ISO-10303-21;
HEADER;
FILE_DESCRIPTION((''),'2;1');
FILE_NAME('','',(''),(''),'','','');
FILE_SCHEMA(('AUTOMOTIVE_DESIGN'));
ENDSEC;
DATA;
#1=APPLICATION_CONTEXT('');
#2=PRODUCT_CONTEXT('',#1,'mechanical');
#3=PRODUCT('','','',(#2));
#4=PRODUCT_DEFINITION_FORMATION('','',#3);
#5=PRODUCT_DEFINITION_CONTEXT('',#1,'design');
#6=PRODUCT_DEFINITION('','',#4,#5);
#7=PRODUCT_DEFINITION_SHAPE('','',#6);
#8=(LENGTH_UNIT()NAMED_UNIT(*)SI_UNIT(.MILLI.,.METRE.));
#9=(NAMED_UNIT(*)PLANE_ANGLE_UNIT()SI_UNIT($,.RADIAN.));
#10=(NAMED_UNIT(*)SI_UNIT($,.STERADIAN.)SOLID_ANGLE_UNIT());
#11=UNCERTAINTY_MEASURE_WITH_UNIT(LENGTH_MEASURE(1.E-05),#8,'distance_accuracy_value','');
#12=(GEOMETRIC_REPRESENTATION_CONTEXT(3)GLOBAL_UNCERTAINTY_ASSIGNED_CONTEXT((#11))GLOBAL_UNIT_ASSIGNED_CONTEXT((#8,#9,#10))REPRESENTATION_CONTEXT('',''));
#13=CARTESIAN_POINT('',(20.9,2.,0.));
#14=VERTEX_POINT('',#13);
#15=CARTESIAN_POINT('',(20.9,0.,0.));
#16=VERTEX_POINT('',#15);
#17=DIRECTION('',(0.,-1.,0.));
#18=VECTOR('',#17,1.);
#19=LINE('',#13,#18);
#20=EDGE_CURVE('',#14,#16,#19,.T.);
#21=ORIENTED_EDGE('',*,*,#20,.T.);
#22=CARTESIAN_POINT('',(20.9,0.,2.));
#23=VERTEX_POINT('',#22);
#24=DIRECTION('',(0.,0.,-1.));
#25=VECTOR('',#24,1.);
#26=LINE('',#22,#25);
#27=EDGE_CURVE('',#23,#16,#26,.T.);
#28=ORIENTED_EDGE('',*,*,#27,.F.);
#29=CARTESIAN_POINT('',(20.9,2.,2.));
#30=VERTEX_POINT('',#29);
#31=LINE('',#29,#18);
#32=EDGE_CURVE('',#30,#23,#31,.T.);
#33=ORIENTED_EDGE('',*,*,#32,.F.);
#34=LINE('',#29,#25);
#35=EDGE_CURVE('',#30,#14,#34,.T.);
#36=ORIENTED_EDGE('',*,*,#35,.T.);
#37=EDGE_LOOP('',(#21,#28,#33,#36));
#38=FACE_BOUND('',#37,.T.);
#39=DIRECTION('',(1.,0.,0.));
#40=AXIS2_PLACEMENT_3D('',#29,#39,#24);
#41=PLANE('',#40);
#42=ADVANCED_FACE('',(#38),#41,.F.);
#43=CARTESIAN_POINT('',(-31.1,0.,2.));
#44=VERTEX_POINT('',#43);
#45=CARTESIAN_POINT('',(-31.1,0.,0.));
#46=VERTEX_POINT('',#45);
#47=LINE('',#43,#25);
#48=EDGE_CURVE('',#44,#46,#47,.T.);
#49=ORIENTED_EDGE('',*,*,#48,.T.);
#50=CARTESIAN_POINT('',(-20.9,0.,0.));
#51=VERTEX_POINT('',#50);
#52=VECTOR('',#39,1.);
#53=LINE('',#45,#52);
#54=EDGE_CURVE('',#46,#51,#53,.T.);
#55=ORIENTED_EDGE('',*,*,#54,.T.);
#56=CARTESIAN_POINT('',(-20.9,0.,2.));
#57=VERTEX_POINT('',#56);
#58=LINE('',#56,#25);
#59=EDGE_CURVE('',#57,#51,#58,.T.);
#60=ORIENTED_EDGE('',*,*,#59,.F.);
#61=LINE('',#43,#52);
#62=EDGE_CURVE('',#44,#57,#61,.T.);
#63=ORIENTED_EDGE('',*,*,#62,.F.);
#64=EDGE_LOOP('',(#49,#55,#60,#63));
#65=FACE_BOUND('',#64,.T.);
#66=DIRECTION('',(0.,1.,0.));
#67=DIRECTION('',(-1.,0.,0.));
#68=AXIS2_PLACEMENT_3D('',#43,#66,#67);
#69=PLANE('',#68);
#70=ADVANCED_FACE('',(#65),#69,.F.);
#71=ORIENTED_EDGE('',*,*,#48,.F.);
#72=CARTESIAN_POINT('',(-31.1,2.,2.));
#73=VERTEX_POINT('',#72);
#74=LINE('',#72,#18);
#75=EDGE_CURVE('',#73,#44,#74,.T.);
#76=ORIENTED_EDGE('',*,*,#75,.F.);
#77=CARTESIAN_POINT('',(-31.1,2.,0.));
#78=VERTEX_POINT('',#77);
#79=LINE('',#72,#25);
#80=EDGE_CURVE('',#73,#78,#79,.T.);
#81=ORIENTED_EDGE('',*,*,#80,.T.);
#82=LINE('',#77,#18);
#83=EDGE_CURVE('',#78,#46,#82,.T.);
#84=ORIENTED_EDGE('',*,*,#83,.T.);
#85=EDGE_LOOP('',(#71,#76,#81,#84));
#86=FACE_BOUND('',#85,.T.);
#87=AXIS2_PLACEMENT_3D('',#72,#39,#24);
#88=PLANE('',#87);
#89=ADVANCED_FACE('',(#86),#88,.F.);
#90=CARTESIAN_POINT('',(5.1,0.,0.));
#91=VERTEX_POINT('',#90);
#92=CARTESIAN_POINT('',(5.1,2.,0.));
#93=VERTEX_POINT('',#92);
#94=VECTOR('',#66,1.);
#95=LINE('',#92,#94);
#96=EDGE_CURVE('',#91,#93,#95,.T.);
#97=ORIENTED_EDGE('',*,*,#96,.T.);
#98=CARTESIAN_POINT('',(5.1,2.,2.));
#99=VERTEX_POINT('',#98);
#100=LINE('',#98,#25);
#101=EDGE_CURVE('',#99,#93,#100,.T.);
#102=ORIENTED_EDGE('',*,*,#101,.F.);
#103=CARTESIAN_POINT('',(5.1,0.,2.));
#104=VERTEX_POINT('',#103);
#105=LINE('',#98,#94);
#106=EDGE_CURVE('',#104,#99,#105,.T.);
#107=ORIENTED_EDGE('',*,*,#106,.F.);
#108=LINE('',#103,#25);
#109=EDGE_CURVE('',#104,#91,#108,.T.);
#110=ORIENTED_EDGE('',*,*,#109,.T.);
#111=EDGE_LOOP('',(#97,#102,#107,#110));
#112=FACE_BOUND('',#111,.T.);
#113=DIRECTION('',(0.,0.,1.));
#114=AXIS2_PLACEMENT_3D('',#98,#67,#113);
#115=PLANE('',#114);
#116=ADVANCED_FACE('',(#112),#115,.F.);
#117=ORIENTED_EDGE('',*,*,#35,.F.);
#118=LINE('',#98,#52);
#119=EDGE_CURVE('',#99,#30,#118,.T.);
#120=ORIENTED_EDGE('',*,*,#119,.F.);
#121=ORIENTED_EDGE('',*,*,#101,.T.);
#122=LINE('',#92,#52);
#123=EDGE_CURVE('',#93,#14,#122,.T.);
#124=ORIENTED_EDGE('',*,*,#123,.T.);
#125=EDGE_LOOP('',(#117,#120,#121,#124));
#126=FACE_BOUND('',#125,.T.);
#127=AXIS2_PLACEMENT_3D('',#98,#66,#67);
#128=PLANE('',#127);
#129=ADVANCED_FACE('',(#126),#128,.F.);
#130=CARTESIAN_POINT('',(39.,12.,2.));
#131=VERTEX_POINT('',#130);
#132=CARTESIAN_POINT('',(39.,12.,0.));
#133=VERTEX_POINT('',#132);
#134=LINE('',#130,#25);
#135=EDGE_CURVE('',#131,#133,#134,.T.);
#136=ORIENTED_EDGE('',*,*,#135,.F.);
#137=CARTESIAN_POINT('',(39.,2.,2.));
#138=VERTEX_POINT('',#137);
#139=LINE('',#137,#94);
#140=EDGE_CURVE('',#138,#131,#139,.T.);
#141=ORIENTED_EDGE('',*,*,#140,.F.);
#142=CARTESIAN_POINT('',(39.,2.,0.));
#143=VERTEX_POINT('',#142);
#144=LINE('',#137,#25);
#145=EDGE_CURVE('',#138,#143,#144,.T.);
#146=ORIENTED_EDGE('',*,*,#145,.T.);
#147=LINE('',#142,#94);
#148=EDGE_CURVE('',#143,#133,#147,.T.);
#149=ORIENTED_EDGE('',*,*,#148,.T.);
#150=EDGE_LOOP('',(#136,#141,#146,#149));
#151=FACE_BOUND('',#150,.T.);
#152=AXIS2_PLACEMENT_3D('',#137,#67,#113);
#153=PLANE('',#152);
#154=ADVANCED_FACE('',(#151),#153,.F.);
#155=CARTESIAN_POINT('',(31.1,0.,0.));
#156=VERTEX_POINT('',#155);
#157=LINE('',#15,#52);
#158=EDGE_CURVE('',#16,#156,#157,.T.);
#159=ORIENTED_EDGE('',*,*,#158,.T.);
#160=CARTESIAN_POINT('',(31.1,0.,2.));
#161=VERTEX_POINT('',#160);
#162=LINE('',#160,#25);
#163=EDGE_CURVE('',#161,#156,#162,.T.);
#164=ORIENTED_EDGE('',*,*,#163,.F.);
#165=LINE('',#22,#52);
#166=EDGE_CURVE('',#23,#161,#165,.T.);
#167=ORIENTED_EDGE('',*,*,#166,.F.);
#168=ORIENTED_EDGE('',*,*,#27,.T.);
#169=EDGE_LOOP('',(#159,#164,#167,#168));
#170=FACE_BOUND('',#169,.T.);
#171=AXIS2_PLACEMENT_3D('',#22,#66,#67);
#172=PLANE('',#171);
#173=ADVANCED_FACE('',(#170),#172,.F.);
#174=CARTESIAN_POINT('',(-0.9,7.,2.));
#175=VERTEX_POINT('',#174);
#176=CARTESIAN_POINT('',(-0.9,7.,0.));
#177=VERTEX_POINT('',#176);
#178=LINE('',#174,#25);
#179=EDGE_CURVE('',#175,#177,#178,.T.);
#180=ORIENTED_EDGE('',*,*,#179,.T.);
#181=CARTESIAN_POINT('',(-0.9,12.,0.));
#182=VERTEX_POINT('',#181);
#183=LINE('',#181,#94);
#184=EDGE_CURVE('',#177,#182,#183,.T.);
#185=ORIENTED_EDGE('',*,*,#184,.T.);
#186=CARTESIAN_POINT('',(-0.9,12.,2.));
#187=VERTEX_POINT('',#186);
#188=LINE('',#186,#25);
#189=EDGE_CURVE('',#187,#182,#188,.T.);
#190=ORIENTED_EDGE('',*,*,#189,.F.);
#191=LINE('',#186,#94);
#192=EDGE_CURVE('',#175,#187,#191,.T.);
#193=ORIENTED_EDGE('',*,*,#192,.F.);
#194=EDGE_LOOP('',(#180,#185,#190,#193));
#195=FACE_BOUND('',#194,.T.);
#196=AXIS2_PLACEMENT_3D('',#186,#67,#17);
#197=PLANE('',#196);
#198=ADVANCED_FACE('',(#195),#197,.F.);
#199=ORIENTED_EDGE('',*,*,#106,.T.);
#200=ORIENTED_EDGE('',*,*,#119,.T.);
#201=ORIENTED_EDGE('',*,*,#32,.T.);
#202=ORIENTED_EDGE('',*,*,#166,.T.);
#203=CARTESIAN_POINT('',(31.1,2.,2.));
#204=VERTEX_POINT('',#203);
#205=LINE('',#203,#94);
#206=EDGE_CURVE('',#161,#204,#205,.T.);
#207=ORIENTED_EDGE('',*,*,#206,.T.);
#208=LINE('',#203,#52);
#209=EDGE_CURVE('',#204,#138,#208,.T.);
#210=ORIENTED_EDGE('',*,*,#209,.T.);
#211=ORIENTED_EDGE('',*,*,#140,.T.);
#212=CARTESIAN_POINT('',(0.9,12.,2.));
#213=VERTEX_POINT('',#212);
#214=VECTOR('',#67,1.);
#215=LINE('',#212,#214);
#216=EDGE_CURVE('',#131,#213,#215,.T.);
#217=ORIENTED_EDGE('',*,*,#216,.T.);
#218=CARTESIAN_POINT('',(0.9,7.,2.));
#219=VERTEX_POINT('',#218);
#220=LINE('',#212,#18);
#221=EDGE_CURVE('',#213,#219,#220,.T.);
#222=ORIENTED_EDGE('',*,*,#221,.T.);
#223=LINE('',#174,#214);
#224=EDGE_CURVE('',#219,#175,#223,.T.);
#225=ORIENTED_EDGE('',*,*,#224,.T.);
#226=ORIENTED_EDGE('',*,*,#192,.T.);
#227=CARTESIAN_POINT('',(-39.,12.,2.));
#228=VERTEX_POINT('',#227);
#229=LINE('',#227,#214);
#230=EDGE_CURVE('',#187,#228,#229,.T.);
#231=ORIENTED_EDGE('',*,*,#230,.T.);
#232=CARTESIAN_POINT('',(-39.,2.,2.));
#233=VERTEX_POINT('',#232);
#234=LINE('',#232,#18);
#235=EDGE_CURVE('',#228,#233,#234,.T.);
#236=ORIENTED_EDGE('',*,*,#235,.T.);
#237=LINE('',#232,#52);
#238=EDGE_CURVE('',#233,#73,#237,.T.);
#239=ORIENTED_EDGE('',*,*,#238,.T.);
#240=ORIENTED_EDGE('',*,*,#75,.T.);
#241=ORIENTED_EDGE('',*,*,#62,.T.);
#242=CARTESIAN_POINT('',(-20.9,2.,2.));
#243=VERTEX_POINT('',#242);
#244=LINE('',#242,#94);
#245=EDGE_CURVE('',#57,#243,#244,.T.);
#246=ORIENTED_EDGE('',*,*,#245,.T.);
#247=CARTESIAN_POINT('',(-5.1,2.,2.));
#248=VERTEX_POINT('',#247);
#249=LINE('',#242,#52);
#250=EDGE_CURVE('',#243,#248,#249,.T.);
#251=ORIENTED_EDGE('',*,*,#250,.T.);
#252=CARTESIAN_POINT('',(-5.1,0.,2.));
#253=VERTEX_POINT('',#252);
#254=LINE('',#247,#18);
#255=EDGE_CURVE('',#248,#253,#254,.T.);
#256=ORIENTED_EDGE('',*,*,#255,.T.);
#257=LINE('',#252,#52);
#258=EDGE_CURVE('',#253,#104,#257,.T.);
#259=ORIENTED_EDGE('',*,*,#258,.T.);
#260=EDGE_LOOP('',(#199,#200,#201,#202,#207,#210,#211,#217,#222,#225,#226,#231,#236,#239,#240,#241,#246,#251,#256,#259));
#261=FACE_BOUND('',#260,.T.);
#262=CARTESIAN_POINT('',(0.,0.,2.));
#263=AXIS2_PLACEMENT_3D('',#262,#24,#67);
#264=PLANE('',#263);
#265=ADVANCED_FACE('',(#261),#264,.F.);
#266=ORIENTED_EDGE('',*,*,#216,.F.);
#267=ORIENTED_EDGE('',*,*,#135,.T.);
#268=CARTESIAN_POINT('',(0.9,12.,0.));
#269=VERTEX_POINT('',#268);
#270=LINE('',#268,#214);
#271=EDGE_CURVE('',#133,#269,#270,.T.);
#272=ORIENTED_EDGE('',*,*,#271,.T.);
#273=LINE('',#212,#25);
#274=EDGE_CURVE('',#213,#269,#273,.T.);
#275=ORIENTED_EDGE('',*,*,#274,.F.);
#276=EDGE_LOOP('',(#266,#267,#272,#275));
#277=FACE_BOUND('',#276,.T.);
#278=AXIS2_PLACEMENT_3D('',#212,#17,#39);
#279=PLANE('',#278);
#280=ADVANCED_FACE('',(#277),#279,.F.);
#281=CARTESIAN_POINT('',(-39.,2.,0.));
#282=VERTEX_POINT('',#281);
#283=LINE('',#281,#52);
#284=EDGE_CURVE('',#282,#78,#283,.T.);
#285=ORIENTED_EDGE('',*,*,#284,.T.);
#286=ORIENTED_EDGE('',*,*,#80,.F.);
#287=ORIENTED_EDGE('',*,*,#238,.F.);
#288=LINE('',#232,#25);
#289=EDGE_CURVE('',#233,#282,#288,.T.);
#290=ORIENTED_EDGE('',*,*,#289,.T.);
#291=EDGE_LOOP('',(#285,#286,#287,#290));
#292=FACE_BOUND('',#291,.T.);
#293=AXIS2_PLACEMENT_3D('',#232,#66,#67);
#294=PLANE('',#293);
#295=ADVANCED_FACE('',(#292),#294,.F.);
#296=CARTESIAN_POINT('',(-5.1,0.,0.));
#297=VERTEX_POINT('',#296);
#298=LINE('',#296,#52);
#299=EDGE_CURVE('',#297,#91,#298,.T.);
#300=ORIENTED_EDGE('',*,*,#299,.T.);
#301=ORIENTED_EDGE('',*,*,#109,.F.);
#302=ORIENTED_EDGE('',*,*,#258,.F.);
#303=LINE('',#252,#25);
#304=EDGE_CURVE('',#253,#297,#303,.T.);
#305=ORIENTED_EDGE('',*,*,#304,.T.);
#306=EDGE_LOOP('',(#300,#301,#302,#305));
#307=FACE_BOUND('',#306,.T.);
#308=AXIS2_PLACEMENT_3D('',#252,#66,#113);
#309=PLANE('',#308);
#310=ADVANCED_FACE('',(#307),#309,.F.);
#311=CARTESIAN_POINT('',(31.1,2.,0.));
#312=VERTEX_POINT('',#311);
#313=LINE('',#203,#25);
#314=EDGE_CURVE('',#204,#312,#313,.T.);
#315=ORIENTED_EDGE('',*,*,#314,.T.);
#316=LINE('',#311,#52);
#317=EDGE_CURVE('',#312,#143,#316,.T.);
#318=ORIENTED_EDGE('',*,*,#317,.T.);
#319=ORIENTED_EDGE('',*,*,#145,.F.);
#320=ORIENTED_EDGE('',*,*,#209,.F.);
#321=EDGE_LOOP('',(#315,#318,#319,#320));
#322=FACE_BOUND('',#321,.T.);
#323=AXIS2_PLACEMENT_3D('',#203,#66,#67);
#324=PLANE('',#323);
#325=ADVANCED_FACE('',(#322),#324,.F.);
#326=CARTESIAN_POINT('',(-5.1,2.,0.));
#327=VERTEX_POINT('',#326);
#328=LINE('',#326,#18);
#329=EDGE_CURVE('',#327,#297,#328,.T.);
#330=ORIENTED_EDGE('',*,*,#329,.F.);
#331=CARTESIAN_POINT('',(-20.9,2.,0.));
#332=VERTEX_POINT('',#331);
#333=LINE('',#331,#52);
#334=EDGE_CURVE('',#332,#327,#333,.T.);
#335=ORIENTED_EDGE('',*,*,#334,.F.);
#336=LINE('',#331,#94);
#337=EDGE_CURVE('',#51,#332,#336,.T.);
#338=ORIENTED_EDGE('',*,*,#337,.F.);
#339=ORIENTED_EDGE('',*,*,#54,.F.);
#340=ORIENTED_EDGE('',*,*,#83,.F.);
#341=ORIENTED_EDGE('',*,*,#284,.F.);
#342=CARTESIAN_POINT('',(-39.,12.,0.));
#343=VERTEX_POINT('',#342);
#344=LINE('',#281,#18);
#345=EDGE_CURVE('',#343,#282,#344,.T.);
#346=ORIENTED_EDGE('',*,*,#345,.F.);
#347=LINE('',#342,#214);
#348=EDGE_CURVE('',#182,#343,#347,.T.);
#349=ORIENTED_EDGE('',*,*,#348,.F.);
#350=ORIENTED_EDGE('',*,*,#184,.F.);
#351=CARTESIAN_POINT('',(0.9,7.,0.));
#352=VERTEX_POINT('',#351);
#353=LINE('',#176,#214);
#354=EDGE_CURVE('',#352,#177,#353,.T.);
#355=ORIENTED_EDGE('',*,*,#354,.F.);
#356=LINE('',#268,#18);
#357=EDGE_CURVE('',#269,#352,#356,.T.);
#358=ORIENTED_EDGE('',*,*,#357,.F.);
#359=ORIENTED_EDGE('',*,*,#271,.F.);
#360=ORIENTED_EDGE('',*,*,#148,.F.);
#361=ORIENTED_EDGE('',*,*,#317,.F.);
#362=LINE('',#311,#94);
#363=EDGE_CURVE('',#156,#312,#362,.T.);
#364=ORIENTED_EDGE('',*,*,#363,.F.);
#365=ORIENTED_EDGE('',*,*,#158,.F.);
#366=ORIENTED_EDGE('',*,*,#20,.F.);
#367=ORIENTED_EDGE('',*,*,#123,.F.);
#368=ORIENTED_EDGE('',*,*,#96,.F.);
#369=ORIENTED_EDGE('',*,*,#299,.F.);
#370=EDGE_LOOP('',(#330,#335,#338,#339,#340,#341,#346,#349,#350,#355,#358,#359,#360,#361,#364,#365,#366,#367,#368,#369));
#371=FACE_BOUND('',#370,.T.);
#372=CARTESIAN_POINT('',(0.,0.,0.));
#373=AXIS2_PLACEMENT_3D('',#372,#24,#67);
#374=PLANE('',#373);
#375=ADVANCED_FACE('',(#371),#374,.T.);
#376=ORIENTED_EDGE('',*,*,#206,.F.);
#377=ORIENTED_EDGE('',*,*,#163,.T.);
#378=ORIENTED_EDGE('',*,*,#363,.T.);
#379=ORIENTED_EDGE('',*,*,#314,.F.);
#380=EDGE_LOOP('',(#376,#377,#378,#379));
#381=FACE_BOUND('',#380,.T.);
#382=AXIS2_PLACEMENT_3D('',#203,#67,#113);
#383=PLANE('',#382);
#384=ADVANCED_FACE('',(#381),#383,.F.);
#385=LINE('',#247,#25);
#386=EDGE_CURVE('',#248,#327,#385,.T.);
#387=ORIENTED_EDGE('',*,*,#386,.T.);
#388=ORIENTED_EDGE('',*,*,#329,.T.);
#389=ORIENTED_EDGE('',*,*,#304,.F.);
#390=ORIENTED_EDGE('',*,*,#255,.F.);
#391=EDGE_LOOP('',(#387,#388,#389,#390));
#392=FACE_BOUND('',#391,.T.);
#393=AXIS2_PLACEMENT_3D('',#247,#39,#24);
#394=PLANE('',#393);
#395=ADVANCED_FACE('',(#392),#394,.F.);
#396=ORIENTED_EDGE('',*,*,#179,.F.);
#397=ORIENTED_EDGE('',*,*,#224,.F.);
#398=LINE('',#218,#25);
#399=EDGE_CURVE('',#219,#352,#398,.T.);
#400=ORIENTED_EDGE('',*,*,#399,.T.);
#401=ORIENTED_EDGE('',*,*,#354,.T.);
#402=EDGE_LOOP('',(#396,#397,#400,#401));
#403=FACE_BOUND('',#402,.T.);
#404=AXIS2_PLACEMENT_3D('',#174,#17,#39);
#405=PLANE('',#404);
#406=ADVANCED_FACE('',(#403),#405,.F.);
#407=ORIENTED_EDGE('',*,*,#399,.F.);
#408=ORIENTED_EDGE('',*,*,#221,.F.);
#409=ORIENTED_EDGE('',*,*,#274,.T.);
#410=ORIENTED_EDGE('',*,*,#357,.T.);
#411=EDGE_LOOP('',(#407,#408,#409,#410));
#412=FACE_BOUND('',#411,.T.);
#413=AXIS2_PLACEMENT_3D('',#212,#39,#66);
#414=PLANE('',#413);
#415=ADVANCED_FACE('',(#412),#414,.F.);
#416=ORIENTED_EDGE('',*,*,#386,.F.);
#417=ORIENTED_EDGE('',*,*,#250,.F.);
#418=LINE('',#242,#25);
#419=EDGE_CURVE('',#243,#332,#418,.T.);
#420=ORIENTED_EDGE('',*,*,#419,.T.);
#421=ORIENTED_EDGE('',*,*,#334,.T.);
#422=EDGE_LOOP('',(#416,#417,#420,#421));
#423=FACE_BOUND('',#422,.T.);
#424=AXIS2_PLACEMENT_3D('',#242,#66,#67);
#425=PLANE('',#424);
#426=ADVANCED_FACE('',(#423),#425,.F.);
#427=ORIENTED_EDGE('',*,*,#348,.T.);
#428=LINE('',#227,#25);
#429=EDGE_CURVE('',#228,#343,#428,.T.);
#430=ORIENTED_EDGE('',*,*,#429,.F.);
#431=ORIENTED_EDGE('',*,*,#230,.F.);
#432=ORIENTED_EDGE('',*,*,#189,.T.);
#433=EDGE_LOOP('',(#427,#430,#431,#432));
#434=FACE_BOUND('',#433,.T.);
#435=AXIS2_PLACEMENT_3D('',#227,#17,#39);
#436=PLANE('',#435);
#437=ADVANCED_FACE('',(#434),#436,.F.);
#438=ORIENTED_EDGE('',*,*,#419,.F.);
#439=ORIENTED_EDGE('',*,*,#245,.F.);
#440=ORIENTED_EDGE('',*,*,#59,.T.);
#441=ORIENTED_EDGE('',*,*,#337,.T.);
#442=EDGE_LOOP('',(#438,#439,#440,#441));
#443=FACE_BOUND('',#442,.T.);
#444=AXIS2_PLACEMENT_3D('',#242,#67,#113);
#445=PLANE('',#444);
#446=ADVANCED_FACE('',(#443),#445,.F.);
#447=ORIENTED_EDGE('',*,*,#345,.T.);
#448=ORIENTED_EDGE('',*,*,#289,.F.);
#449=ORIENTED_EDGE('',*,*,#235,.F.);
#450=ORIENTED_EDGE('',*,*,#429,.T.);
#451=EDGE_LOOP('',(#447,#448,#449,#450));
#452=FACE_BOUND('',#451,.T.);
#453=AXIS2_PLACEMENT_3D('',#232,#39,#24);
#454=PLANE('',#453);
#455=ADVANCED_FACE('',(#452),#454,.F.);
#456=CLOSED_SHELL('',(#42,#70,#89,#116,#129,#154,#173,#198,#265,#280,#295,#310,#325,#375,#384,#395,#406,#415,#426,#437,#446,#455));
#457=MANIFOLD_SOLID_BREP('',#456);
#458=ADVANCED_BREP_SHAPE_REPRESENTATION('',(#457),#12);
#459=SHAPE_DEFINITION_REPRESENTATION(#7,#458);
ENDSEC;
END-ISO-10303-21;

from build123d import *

# Parameters (mm, degrees)
EXTRUDE_1_DEPTH = 2


with BuildPart() as part:
    # 草圖1 → 填料-伸長1 (new body)
    with BuildSketch(Plane.XY):
        Polygon((-39, 2), (-31.1, 2), (-31.1, 0), (-20.9, 0), (-20.9, 2), (-5.1, 2), (-5.1, 0), (5.1, 0), (5.1, 2), (20.9, 2), (20.9, 0), (31.1, 0), (31.1, 2), (39, 2), (39, 12), (0.9, 12), (0.9, 7), (-0.9, 7), (-0.9, 12), (-39, 12), align=None)
    extrude(amount=EXTRUDE_1_DEPTH)


solid = part.part
